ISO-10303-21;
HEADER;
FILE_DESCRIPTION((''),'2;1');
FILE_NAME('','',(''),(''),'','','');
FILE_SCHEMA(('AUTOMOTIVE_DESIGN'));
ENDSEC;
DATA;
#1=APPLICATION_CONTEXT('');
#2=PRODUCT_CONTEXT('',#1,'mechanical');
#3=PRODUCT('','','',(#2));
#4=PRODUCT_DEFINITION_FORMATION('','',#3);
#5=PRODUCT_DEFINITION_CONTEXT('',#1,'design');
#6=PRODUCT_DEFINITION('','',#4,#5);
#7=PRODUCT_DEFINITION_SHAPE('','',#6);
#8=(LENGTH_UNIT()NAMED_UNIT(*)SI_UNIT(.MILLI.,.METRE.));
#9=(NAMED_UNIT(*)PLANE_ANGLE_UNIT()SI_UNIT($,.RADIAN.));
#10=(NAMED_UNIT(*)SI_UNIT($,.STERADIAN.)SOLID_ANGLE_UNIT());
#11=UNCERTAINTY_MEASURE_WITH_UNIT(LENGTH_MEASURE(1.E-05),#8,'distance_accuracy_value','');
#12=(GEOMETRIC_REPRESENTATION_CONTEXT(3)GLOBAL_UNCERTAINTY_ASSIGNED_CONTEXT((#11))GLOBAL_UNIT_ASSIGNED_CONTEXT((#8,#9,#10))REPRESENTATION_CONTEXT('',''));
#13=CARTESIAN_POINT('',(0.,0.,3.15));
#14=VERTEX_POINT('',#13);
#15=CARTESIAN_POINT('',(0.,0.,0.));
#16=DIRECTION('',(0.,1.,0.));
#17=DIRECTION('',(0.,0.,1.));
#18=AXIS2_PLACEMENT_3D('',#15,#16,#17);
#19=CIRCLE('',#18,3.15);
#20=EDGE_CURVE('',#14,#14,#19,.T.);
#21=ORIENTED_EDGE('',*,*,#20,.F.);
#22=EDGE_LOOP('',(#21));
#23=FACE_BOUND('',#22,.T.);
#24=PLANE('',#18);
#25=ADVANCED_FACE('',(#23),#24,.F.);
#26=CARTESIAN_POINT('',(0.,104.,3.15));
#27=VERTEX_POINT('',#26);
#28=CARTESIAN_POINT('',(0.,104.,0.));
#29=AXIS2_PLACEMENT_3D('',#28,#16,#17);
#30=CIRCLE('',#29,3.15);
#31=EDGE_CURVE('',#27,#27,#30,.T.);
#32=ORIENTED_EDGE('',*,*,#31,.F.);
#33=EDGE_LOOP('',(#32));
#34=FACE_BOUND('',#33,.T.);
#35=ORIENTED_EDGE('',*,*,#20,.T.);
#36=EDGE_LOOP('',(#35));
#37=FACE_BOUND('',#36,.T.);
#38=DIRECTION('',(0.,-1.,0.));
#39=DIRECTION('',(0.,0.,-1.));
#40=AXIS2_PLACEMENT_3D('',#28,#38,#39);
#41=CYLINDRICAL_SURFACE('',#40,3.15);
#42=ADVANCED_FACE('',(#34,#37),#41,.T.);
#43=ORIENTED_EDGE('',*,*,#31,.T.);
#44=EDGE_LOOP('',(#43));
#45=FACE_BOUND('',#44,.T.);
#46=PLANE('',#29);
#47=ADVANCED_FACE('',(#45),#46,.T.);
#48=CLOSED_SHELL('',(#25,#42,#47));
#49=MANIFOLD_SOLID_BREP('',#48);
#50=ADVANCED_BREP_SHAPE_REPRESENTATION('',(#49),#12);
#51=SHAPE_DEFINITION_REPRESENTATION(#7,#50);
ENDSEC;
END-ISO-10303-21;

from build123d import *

# Parameters (mm, degrees)
CROQUIS1_R              = 3.15
SALIENTE_EXTRUIR1_DEPTH = 104


with BuildPart() as part:
    # Croquis1 → Saliente-Extruir1 (new body)
    with BuildSketch(Plane(origin=(0, 0, 0), x_dir=(1, 0, 0), z_dir=(0, 1, 0))):
        Circle(CROQUIS1_R)
    extrude(amount=SALIENTE_EXTRUIR1_DEPTH)


solid = part.part
